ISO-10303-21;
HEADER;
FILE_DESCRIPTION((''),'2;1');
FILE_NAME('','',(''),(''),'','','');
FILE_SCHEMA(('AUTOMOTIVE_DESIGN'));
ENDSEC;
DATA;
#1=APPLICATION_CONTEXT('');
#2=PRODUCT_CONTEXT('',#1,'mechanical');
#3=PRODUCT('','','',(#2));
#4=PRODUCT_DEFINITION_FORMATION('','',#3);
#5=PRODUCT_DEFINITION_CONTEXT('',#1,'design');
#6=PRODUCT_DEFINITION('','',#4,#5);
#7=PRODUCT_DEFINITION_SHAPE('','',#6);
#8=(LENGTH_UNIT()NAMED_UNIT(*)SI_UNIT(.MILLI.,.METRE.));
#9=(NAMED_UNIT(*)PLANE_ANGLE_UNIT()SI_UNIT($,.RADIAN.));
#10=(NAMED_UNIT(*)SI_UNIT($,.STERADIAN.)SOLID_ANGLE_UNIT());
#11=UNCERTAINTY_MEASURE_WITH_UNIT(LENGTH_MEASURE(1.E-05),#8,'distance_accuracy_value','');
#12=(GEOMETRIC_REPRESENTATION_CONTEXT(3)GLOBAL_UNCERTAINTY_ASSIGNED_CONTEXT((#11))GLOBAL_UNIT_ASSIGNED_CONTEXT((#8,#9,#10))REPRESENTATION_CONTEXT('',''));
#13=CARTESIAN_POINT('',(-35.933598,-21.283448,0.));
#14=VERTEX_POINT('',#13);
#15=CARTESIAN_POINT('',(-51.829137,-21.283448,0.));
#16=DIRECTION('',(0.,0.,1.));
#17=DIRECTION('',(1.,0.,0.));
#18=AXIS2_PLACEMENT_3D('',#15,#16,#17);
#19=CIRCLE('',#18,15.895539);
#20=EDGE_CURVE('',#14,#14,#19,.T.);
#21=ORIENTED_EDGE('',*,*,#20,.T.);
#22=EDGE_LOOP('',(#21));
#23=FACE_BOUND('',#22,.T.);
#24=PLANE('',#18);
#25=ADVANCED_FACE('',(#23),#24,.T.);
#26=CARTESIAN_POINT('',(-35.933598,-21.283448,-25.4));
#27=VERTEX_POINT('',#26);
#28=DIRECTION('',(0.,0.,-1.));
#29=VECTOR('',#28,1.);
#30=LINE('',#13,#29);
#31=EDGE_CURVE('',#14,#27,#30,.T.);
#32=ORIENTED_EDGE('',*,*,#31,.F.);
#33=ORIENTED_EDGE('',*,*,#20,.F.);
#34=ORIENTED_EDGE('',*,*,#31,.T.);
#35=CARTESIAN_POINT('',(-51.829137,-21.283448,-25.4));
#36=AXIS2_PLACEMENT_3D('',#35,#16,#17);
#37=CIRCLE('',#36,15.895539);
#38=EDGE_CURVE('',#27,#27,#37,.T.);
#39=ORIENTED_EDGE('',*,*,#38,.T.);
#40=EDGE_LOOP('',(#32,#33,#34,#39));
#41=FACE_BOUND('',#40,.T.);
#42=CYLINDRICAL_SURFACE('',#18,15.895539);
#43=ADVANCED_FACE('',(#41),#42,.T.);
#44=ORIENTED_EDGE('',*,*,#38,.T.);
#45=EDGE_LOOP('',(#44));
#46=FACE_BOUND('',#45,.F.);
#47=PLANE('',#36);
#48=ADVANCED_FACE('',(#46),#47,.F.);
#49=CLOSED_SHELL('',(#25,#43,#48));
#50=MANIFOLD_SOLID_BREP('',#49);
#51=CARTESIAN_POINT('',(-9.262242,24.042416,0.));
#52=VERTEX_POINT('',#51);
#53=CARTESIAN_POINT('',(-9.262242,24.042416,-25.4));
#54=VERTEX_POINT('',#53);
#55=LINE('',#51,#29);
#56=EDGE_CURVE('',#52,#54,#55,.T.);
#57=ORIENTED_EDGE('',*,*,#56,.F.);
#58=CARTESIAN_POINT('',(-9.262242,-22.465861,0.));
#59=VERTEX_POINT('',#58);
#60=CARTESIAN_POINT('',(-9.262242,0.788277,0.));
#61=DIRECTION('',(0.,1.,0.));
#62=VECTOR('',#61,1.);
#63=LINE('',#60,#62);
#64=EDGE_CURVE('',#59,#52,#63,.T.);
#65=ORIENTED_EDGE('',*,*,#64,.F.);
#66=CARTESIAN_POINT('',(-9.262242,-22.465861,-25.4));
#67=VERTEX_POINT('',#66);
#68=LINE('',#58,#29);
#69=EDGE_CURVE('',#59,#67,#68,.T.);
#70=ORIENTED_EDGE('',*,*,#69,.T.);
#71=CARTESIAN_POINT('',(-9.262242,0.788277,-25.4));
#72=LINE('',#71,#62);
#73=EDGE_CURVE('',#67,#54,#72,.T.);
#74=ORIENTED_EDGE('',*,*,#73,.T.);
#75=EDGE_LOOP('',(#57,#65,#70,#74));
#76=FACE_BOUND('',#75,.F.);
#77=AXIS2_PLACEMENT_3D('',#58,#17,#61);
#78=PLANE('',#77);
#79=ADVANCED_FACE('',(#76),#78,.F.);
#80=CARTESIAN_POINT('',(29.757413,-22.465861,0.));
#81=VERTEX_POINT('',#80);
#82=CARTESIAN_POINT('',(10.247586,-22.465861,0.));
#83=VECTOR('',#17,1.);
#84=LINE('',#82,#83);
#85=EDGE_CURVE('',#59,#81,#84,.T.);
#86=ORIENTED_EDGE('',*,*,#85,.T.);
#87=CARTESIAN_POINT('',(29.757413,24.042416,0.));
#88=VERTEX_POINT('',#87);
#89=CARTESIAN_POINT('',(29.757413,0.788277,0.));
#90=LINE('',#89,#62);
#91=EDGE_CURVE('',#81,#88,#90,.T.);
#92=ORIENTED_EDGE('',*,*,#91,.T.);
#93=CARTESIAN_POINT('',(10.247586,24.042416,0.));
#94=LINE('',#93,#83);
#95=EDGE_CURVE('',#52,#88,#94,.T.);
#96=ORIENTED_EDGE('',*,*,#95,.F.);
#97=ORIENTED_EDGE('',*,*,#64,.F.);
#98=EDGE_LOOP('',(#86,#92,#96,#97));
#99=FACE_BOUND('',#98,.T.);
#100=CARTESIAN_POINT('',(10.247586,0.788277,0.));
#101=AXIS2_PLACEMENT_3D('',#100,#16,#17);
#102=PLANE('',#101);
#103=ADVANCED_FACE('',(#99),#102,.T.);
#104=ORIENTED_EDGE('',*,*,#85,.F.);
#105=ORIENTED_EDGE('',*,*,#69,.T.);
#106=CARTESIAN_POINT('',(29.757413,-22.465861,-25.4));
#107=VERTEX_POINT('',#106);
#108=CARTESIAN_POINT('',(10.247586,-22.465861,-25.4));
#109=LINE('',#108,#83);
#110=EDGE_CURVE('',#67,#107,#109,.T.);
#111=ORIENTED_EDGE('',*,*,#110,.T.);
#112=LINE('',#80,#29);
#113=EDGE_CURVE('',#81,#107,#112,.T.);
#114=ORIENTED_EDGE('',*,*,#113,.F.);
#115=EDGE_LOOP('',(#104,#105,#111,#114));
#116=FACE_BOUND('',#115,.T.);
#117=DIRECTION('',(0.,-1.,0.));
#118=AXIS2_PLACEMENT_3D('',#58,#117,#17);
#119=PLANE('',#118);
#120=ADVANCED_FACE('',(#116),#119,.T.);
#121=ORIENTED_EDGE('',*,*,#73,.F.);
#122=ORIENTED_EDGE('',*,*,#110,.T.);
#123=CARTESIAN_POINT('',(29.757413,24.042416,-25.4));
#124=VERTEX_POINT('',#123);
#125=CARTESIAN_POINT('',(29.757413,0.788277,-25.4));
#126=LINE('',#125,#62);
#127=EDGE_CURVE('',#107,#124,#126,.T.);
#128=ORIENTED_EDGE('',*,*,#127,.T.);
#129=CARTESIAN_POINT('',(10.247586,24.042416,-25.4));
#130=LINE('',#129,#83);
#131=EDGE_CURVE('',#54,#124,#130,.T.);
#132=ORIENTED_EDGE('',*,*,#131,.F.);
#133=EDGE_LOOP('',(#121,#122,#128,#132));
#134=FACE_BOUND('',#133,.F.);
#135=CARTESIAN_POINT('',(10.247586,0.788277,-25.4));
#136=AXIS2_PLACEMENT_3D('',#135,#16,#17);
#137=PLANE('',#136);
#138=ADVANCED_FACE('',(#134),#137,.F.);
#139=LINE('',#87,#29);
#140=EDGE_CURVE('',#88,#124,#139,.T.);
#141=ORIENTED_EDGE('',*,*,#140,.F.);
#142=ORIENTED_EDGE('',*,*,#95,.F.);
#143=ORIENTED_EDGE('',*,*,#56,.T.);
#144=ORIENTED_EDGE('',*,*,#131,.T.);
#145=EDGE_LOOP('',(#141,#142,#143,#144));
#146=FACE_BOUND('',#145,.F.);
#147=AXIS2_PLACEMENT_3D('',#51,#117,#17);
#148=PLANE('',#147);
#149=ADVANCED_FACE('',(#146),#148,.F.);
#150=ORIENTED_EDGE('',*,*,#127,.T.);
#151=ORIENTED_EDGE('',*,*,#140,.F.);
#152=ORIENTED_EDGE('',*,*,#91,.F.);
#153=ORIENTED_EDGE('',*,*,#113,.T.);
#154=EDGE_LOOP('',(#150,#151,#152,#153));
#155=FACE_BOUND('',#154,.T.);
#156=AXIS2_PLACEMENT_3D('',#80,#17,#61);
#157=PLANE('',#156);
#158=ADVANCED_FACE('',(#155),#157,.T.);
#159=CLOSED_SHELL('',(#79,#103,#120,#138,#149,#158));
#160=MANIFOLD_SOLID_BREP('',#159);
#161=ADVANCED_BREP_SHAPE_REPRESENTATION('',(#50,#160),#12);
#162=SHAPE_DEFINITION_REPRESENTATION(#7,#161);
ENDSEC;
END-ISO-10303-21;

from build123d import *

# Parameters (mm, degrees)
F0_W     = 39.019655
F0_H     = 46.508277
F0_R     = 15.895539
F1_DEPTH = 25.4


with BuildPart() as f1:
    # F0 (on Top) → F1 (new body)
    with BuildSketch(Plane.XY):
        with Locations((10.247586, 0.788277)):
            Rectangle(F0_W, F0_H)
        with Locations((-51.829137, -21.283448)):
            Circle(F0_R)
    extrude(amount=-F1_DEPTH)


solid = f1.part
